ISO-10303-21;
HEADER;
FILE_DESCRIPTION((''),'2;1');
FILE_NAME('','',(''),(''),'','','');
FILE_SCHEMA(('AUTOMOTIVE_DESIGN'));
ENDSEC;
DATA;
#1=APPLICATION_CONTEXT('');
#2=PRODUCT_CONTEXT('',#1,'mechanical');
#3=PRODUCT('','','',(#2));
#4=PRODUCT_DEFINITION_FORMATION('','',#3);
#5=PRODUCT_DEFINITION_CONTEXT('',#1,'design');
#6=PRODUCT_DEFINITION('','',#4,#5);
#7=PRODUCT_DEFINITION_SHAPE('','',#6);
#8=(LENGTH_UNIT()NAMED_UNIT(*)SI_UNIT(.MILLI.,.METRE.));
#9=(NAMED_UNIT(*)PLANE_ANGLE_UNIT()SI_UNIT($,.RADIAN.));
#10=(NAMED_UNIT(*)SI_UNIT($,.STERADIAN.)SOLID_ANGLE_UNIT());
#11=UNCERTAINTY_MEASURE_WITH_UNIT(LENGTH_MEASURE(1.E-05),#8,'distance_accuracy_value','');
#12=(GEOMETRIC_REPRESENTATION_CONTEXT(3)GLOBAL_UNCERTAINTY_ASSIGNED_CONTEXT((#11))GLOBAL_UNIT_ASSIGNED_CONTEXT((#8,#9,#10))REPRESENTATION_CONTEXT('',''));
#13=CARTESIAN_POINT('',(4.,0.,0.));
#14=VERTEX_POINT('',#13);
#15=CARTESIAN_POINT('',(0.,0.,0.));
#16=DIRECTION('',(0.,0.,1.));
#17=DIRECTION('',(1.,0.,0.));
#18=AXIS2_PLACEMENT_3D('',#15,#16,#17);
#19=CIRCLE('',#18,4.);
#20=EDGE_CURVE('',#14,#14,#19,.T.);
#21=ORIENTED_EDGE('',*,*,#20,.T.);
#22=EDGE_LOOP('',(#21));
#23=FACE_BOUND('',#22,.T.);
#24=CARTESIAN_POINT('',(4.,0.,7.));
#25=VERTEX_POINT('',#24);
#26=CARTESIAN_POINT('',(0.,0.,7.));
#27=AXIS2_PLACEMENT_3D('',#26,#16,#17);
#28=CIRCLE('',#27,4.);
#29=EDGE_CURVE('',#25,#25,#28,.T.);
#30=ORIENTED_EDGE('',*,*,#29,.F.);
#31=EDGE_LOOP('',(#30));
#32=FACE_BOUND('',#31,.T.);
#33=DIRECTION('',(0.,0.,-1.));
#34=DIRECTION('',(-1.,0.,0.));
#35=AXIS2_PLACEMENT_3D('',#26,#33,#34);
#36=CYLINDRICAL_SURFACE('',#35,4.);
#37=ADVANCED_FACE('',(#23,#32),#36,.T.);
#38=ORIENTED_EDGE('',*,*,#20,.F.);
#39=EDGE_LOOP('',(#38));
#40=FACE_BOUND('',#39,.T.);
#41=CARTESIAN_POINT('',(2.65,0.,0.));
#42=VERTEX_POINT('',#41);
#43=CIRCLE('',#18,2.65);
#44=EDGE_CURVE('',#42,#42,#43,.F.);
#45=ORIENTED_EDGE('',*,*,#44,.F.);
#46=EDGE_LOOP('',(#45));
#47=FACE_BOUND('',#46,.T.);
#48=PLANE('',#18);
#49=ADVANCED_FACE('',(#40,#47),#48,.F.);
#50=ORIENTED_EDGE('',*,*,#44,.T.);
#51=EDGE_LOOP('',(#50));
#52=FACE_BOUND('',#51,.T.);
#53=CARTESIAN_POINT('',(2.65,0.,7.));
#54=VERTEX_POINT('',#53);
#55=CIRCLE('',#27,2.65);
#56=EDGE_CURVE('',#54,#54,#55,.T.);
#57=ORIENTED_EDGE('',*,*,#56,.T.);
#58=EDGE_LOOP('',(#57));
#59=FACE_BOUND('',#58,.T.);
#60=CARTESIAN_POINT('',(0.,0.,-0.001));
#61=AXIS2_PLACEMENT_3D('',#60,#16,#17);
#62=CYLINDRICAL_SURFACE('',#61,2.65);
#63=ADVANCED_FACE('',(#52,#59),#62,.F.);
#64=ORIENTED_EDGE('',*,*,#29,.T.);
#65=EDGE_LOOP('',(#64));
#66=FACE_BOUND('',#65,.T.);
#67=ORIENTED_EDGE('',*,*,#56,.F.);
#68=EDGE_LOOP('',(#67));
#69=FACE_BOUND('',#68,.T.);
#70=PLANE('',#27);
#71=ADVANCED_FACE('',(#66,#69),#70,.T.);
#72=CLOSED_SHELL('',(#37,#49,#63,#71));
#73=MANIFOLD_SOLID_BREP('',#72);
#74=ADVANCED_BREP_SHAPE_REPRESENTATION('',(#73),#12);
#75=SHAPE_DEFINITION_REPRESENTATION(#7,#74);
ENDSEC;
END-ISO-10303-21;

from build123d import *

# Parameters (mm, degrees)
SKETCH1_R           = 4
BOSS_EXTRUDE1_DEPTH = 7
CUT_EXTRUDE1_REACH  = 11
SKETCH2_R           = 2.65


with BuildPart() as part:
    # Sketch1 → Boss-Extrude1 (new body)
    with BuildSketch(Plane.XY):
        Circle(SKETCH1_R)
    extrude(amount=BOSS_EXTRUDE1_DEPTH)

    # Sketch2 → Cut-Extrude1 (cut, up to next)
    with BuildSketch(Plane.XY.offset(7), mode=Mode.PRIVATE) as cut_extrude1_sk1:
        Circle(SKETCH2_R)
    cut_extrude1_tool1 = extrude(cut_extrude1_sk1.sketch, amount=-CUT_EXTRUDE1_REACH, mode=Mode.PRIVATE) & part.part
    add(cut_extrude1_tool1.solids().sort_by_distance((0, 0, 7))[0], mode=Mode.SUBTRACT)


solid = part.part
